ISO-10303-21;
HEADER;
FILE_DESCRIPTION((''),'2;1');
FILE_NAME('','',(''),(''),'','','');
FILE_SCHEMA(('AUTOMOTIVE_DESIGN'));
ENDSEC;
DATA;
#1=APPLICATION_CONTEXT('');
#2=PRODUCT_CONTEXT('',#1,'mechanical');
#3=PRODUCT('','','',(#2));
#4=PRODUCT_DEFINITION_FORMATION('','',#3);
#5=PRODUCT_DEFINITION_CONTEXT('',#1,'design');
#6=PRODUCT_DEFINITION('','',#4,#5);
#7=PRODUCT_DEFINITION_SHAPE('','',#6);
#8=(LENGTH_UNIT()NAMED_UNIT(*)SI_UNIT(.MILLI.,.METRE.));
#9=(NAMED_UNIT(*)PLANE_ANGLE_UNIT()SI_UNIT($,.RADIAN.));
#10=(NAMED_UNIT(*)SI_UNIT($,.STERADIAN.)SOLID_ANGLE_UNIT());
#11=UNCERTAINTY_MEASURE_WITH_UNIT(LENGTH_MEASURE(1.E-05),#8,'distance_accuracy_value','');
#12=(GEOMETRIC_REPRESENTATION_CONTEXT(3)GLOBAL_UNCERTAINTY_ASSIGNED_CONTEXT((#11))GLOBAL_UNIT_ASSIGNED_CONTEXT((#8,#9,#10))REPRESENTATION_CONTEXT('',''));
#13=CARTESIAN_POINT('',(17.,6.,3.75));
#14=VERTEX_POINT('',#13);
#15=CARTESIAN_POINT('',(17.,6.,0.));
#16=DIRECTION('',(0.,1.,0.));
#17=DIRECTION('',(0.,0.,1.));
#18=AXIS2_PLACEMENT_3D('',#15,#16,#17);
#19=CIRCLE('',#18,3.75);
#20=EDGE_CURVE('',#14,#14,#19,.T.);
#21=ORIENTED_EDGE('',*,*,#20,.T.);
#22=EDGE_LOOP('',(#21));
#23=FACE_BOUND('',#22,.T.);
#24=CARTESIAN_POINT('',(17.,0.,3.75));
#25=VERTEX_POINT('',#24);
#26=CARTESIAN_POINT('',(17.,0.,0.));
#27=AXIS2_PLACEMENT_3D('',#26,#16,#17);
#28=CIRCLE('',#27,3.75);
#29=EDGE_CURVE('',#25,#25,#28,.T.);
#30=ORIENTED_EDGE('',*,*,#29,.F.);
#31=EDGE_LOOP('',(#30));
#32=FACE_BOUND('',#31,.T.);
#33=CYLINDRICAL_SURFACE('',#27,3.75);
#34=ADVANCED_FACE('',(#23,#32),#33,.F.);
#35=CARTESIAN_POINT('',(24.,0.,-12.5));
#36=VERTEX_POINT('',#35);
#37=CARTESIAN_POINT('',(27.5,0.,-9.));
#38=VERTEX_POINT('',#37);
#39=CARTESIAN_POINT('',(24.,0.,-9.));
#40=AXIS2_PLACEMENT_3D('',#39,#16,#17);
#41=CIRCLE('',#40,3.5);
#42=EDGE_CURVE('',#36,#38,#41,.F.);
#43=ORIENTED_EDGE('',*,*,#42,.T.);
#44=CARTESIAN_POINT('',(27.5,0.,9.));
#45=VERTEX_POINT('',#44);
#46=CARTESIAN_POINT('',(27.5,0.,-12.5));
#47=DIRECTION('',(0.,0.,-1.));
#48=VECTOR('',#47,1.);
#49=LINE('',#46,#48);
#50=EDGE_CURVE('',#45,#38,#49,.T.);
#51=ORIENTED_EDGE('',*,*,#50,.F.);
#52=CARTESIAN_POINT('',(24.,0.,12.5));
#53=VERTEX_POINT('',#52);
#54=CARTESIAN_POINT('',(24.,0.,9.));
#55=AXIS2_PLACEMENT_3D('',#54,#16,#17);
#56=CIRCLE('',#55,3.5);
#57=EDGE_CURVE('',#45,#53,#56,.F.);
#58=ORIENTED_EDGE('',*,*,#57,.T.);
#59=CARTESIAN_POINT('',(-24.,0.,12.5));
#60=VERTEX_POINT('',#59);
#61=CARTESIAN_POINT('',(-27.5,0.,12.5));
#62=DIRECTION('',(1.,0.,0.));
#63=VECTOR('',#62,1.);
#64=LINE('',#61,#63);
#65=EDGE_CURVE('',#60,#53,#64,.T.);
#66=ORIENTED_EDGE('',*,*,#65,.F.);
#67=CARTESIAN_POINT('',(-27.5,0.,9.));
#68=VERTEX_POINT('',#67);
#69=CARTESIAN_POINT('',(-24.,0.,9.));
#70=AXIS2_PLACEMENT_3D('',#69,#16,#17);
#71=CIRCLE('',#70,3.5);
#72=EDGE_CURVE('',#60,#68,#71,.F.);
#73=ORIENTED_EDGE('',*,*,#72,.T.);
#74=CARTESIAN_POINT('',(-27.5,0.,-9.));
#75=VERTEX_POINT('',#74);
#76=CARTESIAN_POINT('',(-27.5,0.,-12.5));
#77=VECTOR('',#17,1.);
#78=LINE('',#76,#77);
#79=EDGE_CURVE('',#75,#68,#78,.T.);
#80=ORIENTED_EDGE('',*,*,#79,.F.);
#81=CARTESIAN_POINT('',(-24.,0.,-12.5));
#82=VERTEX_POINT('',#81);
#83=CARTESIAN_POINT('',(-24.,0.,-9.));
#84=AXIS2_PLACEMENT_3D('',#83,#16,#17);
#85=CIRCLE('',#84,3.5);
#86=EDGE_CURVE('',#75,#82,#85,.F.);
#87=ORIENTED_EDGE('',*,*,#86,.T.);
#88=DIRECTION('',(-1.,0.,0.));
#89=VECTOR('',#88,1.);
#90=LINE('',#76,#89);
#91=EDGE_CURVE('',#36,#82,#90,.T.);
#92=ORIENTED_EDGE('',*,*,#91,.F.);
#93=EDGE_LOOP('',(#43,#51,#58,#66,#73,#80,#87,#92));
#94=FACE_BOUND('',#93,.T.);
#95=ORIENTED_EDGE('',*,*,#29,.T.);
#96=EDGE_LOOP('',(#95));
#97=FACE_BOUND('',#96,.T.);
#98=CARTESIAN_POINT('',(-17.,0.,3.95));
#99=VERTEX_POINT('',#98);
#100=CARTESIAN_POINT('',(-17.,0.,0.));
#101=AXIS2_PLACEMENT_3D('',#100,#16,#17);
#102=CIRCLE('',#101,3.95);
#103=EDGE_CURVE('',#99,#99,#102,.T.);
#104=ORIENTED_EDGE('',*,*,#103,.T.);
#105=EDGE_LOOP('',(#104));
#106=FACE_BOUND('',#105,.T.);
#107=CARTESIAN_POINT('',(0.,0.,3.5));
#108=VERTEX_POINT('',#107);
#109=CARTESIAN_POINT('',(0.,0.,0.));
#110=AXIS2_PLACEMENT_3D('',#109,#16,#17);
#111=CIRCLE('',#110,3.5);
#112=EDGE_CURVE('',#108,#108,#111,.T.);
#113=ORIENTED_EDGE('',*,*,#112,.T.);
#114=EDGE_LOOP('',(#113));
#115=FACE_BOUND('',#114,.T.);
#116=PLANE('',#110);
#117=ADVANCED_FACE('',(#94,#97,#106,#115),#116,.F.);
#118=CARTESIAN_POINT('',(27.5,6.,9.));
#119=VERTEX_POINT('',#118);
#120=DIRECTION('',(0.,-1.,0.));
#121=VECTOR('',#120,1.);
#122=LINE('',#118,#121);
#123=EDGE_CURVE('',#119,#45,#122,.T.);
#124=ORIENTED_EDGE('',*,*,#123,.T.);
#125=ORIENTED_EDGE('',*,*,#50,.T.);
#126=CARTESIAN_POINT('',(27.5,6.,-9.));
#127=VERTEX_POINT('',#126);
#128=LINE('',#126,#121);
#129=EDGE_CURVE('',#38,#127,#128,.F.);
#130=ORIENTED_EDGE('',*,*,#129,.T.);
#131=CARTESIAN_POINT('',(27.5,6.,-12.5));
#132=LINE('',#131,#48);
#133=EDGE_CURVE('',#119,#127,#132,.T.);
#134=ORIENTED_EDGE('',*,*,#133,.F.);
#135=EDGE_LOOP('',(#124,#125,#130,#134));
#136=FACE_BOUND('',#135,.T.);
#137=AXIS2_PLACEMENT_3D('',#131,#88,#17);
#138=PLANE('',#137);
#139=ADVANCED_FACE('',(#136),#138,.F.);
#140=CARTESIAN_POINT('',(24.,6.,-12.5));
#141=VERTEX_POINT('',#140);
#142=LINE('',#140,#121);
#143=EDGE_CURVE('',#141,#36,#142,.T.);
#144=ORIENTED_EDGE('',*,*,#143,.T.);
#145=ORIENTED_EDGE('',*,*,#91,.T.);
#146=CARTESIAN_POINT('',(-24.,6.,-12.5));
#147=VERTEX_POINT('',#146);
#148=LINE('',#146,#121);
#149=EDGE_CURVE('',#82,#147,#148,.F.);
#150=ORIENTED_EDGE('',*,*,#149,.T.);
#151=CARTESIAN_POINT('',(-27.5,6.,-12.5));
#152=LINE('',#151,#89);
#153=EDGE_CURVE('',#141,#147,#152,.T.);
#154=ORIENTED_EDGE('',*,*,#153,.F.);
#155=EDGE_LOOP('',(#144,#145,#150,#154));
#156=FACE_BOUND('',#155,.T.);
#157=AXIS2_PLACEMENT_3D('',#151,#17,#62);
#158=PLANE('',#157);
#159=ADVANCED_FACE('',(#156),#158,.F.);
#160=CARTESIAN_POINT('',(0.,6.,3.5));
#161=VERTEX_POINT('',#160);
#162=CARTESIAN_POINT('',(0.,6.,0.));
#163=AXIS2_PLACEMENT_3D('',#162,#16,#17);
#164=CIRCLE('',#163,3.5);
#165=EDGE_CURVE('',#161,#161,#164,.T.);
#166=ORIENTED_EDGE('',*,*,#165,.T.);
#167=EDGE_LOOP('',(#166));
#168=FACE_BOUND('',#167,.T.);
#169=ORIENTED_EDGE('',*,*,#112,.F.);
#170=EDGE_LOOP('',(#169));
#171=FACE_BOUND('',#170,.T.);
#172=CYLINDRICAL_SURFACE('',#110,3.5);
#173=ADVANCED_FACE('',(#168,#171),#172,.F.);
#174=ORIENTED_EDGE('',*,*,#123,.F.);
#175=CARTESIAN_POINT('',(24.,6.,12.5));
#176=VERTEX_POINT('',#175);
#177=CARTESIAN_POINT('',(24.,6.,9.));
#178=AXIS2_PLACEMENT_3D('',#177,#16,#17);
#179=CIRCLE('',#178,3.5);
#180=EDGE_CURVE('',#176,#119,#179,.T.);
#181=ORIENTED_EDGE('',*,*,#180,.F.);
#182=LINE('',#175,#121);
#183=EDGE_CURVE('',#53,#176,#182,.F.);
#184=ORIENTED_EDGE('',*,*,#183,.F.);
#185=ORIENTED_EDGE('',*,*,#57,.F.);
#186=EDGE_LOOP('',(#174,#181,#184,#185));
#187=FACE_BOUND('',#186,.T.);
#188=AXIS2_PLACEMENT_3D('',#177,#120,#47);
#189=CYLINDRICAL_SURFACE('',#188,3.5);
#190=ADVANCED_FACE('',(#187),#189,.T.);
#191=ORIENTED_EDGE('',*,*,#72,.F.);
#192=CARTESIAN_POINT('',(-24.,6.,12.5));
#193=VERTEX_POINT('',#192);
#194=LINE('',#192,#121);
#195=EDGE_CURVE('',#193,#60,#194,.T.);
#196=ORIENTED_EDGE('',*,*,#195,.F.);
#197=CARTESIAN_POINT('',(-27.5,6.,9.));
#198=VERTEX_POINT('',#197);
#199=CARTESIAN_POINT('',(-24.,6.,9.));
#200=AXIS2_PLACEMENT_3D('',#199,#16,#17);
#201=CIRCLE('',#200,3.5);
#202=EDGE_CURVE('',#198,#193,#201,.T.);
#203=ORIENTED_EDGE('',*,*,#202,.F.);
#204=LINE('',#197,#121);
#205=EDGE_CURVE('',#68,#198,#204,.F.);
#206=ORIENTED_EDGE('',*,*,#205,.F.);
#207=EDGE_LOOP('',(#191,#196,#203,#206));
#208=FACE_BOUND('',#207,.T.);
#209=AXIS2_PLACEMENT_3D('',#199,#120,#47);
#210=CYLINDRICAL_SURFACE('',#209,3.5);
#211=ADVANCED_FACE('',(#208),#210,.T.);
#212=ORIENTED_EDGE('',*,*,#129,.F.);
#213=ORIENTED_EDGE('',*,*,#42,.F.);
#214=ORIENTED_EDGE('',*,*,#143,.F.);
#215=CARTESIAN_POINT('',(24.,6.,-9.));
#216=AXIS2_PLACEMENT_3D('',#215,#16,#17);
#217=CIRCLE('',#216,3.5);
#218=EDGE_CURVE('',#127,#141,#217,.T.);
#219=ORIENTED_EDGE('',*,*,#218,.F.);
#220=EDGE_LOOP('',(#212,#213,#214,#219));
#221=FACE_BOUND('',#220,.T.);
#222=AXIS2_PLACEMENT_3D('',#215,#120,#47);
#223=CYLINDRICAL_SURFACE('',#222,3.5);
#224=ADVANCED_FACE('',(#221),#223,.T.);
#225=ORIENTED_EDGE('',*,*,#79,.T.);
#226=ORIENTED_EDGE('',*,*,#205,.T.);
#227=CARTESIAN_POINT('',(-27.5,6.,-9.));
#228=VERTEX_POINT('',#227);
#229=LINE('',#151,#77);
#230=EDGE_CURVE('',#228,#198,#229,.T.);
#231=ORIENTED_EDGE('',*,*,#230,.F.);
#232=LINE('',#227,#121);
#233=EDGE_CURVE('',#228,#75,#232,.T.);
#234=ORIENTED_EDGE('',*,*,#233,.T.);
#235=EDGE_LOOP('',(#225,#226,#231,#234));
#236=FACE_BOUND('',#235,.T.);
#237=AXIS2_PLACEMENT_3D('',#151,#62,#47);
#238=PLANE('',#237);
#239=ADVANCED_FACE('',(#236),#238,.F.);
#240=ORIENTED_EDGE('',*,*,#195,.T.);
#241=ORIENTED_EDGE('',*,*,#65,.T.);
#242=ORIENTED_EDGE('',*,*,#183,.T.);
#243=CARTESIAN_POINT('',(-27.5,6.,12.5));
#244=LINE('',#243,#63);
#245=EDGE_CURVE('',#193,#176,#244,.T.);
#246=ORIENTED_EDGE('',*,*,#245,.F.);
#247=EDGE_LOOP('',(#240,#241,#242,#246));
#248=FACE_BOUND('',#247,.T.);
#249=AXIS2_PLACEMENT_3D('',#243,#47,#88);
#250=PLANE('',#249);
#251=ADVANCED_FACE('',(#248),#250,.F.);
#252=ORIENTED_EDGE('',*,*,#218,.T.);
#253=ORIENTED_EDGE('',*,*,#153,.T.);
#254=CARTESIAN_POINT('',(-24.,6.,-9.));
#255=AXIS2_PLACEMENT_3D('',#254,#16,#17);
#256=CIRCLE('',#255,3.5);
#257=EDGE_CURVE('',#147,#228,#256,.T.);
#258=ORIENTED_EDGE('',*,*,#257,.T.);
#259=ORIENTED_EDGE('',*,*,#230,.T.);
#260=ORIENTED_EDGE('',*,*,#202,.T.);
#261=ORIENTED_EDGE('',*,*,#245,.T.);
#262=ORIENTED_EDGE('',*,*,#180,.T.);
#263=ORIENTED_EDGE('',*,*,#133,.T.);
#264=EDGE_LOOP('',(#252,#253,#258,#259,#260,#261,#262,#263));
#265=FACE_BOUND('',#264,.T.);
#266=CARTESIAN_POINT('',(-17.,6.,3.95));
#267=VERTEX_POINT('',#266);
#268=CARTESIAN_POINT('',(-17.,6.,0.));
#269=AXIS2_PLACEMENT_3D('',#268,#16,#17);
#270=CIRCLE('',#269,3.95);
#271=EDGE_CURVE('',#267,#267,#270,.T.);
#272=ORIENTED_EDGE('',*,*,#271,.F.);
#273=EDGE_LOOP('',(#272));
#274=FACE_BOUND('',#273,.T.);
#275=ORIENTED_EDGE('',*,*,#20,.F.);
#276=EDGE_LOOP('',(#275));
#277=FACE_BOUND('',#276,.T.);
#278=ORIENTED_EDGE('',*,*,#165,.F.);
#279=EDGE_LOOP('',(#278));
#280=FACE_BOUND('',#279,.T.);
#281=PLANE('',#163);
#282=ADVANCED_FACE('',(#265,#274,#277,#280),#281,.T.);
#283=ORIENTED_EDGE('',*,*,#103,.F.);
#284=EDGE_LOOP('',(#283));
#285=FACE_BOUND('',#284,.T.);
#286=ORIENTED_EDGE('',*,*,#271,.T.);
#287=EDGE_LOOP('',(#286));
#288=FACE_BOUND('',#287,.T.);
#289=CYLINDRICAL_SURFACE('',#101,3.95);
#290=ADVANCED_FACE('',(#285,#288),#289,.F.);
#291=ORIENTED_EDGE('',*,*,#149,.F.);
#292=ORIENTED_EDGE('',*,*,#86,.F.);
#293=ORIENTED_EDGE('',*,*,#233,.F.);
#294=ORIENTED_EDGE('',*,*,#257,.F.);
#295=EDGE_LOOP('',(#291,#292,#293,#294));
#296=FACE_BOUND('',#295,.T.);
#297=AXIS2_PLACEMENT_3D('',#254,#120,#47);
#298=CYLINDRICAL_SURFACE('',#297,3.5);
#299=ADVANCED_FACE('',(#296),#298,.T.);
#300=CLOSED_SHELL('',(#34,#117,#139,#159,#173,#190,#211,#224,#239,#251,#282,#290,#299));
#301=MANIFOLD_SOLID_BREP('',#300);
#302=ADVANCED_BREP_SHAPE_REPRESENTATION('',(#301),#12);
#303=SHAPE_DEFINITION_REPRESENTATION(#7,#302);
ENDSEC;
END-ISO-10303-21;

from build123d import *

# Parameters (mm, degrees)
SKETCH1_W           = 55
SKETCH1_H           = 25
BOSS_EXTRUDE1_DEPTH = 6
SKETCH2_R           = 3.5
SKETCH2_R_2         = 3.75
SKETCH2_R_3         = 3.95
CUT_EXTRUDE1_DEPTH  = 6
FILLET1_R           = 3.5


with BuildPart() as part:
    # Sketch1 → Boss-Extrude1 (new body)
    with BuildSketch(Plane(origin=(0, 0, 0), x_dir=(1, 0, 0), z_dir=(0, 1, 0))):
        Rectangle(SKETCH1_W, SKETCH1_H)
    extrude(amount=BOSS_EXTRUDE1_DEPTH)

    # Sketch2 → Cut-Extrude1 (cut)
    with BuildSketch(Plane(origin=(0, 6, 0), x_dir=(1, 0, 0), z_dir=(0, 1, 0))):
        with Locations(Location((0, 0, 0), (0, 0, 270))):
            Circle(SKETCH2_R)
        with Locations(Location((17, 0, 0), (0, 0, 270))):
            Circle(SKETCH2_R_2)
        with Locations(Location((-17, 0, 0), (0, 0, 270))):
            Circle(SKETCH2_R_3)
    extrude(amount=-CUT_EXTRUDE1_DEPTH, mode=Mode.SUBTRACT)

    # Fillet1
    fillet1_edges = [part.edges().sort_by_distance(p)[0] for p in [
        (27.5, 3, 12.5),
        (-27.5, 3, 12.5),
        (-27.5, 3, -12.5),
        (27.5, 3, -12.5),
    ]]
    fillet(fillet1_edges, radius=FILLET1_R)


solid = part.part
